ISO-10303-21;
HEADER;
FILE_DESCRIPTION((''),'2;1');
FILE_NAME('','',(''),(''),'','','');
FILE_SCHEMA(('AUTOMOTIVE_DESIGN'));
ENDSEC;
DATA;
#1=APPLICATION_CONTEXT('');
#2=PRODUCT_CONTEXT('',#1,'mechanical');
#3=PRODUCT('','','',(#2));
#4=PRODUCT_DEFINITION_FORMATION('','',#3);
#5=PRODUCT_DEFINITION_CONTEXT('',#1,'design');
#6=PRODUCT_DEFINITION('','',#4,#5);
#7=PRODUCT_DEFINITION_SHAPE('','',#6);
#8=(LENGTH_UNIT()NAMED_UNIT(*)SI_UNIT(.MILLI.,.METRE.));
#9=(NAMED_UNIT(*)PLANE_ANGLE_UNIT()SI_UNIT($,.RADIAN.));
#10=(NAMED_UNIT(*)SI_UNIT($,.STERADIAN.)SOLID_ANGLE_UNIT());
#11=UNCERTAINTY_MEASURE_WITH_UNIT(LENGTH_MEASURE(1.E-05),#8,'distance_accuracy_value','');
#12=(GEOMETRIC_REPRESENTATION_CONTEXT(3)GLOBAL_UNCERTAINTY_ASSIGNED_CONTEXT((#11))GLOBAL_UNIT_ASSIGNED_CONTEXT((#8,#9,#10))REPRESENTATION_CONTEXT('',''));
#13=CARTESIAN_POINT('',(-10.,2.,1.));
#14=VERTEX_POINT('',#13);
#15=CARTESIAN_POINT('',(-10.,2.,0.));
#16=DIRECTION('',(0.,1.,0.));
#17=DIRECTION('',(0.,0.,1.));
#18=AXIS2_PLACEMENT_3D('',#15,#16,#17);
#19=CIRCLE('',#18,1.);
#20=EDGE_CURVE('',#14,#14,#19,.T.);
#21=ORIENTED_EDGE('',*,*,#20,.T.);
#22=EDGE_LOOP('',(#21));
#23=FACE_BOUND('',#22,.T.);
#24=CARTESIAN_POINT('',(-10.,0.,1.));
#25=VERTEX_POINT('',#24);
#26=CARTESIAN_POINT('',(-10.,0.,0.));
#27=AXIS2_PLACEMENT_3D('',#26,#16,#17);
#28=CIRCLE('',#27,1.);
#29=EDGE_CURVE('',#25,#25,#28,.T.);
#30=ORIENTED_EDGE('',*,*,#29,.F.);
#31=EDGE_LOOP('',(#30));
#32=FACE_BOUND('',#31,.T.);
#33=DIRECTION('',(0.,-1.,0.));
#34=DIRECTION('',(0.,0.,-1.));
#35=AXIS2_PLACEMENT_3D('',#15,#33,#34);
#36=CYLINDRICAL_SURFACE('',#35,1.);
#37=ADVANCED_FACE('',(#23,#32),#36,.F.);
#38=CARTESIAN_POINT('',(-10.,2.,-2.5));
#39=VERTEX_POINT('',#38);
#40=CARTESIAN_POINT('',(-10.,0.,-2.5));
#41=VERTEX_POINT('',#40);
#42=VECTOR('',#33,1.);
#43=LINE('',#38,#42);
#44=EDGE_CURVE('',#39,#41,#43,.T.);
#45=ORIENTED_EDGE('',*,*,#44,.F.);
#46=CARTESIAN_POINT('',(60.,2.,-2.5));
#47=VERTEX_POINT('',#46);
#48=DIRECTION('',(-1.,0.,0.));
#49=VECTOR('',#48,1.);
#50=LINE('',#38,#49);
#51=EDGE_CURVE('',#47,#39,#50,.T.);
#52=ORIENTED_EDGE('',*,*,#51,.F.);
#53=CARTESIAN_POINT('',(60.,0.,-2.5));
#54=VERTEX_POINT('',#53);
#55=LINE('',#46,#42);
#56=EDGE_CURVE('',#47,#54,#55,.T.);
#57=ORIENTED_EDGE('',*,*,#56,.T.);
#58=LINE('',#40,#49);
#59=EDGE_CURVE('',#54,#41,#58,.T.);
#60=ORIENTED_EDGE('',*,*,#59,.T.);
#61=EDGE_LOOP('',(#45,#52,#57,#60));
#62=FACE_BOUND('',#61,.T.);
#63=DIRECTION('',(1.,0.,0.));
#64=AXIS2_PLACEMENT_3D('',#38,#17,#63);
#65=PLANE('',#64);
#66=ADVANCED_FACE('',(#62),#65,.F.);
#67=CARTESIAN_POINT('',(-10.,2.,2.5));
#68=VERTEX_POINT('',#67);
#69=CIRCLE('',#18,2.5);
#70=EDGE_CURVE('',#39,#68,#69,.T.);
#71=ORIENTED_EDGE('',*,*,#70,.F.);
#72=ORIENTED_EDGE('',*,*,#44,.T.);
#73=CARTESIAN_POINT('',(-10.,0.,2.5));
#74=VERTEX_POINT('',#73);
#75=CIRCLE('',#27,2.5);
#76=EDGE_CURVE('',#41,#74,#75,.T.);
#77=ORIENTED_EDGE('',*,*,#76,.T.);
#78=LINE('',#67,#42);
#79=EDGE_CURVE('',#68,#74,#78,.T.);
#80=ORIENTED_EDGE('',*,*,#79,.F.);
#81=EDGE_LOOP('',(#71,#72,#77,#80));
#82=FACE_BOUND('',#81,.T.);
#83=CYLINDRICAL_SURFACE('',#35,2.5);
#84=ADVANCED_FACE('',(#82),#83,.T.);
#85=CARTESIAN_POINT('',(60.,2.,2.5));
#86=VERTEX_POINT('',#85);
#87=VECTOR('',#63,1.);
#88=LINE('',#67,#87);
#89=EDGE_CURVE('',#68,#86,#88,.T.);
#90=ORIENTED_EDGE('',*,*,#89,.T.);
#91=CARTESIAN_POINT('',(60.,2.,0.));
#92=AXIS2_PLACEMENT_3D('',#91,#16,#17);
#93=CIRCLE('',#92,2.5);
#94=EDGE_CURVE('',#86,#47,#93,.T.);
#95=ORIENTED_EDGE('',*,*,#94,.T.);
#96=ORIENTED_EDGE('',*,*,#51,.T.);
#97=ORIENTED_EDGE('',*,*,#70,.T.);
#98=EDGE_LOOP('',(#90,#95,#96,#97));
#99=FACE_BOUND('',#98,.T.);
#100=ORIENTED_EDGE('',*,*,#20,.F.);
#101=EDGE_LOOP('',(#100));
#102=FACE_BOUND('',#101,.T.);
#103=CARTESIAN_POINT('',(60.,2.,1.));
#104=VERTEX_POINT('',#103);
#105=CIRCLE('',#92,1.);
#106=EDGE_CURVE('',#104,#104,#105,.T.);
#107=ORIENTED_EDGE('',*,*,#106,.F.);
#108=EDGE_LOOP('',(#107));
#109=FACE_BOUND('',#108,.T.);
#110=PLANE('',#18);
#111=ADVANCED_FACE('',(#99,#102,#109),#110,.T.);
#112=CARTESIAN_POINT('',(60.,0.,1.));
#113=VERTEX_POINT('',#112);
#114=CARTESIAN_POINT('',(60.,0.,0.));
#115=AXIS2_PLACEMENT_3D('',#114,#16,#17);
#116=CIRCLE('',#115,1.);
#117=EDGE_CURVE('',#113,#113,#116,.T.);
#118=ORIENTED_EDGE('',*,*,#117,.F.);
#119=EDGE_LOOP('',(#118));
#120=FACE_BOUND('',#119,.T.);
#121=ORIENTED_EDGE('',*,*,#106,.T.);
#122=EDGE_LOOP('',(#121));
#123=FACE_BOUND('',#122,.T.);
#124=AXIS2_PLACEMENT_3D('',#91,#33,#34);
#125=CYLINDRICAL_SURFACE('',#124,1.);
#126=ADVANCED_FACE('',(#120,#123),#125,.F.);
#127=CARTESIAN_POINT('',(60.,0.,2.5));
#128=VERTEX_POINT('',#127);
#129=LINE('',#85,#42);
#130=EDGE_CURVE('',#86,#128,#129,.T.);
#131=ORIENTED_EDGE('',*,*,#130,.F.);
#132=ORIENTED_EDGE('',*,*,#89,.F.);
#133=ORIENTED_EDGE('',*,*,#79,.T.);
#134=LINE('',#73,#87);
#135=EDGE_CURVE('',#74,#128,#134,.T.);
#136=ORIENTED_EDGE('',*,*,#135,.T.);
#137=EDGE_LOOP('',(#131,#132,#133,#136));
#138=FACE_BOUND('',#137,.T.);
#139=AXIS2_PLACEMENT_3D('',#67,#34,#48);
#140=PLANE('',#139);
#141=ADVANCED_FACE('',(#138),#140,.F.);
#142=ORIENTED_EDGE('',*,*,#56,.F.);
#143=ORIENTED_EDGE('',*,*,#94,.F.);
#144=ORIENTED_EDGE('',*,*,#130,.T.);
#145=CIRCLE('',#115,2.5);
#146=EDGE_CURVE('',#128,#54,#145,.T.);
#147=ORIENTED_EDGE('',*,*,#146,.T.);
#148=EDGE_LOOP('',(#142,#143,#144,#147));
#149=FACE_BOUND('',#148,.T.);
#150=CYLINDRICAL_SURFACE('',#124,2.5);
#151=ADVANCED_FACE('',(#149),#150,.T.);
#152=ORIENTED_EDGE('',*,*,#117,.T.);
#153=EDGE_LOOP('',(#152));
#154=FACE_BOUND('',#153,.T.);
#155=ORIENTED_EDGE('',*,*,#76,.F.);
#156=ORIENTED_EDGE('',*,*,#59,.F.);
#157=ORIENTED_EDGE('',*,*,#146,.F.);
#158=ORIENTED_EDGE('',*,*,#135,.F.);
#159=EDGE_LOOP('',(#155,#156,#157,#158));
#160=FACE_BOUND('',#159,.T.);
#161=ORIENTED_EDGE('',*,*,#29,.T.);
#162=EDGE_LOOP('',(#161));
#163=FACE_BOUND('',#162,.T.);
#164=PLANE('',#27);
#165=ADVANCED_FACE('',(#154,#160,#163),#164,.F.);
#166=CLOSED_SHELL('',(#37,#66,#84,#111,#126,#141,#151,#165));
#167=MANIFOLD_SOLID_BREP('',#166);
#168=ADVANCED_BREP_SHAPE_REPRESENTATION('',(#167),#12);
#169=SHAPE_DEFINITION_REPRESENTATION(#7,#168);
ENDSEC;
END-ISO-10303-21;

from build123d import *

# Parameters (mm, degrees)
SKETCH1_R           = 1
BOSS_EXTRUDE1_DEPTH = 2


with BuildPart() as part:
    # Sketch1 → Boss-Extrude1 (new body)
    with BuildSketch(Plane(origin=(0, 0, 0), x_dir=(1, 0, 0), z_dir=(0, 1, 0))):
        with BuildLine():
            Line((-10, 2.5), (60, 2.5))
            ThreePointArc((60, 2.5), (62.5, 0), (60, -2.5))
            Line((60, -2.5), (-10, -2.5))
            ThreePointArc((-10, -2.5), (-12.5, 0), (-10, 2.5))
        make_face()
        with Locations(Location((60, 0, 0), (0, 0, 270))):
            Circle(SKETCH1_R, mode=Mode.SUBTRACT)
        with Locations(Location((-10, 0, 0), (0, 0, 270))):
            Circle(SKETCH1_R, mode=Mode.SUBTRACT)
    extrude(amount=BOSS_EXTRUDE1_DEPTH)


solid = part.part
